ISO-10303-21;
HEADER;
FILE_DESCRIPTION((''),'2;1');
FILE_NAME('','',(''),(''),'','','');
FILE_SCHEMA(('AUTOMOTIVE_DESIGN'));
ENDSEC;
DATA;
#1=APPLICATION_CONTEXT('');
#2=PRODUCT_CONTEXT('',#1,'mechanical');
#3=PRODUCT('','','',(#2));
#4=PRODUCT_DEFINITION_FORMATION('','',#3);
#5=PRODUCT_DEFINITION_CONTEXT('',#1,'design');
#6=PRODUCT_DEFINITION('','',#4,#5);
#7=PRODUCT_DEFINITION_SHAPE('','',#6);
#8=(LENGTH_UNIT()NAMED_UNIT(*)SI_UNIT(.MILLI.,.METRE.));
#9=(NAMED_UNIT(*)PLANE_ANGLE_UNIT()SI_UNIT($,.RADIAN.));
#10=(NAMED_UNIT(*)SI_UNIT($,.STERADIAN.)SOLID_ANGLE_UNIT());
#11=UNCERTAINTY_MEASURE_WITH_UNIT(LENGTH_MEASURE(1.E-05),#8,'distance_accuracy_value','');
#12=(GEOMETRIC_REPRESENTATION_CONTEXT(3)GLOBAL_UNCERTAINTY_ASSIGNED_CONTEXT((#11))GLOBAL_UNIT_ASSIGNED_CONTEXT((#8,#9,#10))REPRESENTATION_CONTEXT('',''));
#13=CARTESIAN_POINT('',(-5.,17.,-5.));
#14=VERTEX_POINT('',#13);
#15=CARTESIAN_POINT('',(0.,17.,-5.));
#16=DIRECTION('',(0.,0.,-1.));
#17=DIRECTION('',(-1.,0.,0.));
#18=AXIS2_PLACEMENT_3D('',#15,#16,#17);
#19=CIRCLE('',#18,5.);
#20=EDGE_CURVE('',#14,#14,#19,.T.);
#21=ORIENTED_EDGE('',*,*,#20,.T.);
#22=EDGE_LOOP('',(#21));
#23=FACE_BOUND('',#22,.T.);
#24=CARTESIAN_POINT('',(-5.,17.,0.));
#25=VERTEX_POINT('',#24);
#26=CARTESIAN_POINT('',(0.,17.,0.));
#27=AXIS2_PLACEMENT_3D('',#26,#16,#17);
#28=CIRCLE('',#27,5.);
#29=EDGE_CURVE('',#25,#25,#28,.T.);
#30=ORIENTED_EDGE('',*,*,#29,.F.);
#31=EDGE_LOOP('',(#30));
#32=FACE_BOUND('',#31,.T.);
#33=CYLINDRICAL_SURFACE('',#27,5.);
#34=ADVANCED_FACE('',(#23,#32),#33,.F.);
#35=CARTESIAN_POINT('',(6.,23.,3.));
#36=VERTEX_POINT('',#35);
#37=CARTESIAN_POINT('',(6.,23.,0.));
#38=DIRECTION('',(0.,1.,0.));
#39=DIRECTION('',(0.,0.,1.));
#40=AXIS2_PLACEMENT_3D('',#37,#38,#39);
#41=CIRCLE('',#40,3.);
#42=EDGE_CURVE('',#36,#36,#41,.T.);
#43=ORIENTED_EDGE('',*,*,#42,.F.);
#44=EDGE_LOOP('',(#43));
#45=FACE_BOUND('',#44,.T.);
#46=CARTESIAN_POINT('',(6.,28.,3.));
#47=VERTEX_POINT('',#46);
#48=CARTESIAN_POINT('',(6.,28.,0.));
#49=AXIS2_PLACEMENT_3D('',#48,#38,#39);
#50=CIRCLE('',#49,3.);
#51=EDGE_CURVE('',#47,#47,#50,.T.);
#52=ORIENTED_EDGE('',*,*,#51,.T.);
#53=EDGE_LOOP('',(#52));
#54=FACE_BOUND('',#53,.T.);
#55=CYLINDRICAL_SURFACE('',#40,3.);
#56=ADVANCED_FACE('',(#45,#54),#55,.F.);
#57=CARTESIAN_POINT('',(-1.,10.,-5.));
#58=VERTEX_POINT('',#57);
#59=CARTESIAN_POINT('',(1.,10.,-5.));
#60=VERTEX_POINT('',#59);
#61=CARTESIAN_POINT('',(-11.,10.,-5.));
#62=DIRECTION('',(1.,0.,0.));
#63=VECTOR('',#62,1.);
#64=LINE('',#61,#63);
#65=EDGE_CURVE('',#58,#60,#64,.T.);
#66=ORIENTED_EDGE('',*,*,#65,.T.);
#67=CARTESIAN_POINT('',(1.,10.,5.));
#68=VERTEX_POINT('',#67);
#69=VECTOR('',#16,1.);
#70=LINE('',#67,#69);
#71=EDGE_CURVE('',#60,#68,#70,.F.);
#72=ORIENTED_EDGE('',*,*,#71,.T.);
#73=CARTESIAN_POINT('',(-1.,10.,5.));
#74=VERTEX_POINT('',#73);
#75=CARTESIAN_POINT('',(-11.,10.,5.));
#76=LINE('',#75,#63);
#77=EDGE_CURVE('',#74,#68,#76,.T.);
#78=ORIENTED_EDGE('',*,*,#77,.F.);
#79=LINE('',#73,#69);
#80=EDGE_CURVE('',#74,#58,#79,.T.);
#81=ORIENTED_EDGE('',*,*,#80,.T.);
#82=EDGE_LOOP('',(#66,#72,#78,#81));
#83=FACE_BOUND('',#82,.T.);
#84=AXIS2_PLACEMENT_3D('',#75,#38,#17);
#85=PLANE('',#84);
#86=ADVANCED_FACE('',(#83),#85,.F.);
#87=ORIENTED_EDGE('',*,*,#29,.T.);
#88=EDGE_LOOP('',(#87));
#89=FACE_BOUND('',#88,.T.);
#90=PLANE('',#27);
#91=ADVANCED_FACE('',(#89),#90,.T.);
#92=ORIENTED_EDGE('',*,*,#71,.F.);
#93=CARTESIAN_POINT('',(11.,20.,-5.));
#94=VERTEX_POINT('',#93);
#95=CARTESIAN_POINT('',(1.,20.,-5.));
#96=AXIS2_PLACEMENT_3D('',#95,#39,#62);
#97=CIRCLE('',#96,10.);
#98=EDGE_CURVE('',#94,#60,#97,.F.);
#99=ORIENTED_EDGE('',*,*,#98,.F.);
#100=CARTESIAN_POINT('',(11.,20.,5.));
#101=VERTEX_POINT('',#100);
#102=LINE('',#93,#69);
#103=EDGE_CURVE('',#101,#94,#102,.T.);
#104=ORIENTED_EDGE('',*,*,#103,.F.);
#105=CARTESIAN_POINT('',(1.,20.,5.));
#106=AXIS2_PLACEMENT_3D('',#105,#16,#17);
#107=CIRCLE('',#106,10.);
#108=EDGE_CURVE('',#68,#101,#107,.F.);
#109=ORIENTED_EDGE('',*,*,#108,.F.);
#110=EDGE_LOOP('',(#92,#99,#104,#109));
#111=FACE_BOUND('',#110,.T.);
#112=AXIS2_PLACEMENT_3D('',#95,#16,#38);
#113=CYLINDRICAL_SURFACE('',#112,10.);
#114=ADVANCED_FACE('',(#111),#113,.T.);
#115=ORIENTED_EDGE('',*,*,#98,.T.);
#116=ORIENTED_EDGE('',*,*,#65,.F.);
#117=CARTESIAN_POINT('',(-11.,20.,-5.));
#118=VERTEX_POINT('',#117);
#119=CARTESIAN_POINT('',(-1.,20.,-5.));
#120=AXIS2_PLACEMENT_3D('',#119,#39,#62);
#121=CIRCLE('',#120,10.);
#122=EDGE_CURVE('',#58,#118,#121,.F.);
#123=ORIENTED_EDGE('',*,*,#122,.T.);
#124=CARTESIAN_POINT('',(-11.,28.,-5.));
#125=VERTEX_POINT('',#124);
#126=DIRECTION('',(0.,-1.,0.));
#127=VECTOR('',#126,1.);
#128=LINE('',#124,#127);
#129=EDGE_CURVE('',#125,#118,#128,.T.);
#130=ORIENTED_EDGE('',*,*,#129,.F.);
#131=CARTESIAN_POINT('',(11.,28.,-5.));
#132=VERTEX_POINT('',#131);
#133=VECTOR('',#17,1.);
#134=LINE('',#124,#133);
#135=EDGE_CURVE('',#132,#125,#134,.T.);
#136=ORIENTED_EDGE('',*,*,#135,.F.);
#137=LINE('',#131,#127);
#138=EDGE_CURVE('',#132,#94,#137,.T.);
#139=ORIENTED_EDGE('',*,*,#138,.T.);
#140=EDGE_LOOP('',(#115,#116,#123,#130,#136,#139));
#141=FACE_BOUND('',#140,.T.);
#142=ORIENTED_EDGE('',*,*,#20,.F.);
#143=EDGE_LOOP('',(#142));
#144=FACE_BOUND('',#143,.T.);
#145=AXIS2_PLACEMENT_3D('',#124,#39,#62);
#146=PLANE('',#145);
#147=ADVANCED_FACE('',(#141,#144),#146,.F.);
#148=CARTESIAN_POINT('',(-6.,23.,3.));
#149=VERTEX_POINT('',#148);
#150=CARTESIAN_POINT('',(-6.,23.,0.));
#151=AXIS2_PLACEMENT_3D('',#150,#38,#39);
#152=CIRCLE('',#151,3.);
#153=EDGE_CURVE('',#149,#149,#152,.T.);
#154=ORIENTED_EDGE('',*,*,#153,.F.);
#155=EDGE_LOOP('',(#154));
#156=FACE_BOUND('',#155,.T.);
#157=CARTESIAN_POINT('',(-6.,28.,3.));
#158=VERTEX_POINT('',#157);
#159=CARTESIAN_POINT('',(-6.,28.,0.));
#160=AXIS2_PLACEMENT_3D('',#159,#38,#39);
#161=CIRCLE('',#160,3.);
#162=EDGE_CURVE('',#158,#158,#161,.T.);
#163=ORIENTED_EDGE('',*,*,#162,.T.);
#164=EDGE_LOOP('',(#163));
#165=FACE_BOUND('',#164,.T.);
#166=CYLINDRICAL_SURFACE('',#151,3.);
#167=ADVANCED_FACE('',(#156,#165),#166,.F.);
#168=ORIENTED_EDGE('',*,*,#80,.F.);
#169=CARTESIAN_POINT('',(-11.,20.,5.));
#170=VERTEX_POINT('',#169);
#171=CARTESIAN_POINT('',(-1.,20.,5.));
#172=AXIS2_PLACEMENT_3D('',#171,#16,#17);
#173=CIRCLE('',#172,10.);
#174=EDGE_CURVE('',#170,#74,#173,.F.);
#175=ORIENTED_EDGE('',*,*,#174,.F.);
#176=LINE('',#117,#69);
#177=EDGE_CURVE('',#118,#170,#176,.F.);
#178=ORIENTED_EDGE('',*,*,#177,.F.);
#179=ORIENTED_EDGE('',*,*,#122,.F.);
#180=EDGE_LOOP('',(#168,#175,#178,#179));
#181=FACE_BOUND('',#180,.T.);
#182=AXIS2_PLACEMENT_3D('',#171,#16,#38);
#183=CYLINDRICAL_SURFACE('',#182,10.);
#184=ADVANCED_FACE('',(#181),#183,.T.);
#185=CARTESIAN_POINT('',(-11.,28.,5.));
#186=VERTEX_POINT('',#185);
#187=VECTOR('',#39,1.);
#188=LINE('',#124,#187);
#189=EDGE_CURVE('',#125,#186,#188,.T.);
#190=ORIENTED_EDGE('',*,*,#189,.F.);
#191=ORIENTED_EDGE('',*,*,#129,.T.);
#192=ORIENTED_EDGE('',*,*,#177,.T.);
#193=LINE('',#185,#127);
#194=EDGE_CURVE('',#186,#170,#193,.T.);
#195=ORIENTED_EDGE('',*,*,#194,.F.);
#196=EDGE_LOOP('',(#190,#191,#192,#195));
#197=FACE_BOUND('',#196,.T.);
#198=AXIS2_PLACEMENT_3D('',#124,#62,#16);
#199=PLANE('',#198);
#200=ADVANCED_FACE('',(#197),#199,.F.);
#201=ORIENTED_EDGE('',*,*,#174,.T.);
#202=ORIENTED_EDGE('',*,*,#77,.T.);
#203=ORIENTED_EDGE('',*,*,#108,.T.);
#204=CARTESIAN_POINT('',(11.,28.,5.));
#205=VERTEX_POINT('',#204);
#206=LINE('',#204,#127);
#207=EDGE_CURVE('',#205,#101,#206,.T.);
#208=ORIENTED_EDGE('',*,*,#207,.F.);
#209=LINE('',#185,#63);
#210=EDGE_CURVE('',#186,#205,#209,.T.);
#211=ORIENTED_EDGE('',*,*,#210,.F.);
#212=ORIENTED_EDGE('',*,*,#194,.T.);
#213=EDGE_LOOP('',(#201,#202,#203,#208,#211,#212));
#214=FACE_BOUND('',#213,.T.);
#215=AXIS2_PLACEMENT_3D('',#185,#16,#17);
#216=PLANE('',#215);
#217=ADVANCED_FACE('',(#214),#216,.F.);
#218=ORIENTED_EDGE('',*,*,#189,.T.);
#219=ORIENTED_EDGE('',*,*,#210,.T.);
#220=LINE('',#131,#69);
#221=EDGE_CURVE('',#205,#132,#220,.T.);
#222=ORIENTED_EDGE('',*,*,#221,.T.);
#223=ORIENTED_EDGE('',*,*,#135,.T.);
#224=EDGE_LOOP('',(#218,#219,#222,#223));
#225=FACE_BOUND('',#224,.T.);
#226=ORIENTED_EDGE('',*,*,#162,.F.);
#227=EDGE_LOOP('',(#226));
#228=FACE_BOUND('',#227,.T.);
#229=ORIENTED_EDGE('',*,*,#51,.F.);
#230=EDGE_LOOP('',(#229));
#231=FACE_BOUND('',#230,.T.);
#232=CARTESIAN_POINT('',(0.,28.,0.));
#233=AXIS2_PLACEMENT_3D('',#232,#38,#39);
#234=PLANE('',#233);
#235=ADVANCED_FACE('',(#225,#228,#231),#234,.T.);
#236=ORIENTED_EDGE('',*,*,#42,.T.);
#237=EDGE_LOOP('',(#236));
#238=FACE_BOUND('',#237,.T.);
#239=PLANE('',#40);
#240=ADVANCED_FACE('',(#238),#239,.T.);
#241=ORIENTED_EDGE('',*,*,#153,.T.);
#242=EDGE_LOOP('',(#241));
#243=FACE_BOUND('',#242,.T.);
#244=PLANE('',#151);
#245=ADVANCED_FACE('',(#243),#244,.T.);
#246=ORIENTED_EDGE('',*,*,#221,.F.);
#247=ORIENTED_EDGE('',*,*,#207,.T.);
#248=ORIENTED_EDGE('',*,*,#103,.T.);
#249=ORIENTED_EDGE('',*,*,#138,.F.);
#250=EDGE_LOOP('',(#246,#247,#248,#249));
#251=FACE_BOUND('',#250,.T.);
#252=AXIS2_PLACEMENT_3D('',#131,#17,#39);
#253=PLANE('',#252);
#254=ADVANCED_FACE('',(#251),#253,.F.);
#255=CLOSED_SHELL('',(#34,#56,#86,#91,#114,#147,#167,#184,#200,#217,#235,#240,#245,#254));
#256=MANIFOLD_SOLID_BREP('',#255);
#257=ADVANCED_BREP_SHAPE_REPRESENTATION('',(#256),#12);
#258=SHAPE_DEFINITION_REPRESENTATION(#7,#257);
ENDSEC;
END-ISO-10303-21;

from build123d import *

# Parameters (mm, degrees)
SKETCH1_W           = 22
SKETCH1_H           = 10
BOSS_EXTRUDE1_DEPTH = 28
SKETCH2_R           = 3
CUT_EXTRUDE2_DEPTH  = 5
SKETCH4_W           = 22
SKETCH4_H           = 10
CUT_EXTRUDE4_DEPTH  = 32.701734968
SKETCH5_R           = 5
CUT_EXTRUDE5_DEPTH  = 5
FILLET2_R           = 10


with BuildPart() as part:
    # Sketch1 → Boss-Extrude1 (new body)
    with BuildSketch(Plane(origin=(0, 0, 0), x_dir=(1, 0, 0), z_dir=(0, 1, 0))):
        Rectangle(SKETCH1_W, SKETCH1_H)
    extrude(amount=BOSS_EXTRUDE1_DEPTH)

    # Sketch2 → Cut-Extrude2 (cut)
    with BuildSketch(Plane(origin=(0, 28, 0), x_dir=(1, 0, 0), z_dir=(0, 1, 0))):
        with Locations(Location((-6, 0, 0), (0, 0, 270))):
            Circle(SKETCH2_R)
        with Locations(Location((6, 0, 0), (0, 0, 270))):
            Circle(SKETCH2_R)
    extrude(amount=-CUT_EXTRUDE2_DEPTH, mode=Mode.SUBTRACT)

    # Sketch4 → Cut-Extrude4 (cut, through all)
    with BuildSketch(Plane(origin=(0, 0, -5), x_dir=(-1, 0, 0), z_dir=(0, 0, -1))):
        with Locations((0, 5)):
            Rectangle(SKETCH4_W, SKETCH4_H)
    extrude(amount=-CUT_EXTRUDE4_DEPTH, mode=Mode.SUBTRACT)

    # Sketch5 → Cut-Extrude5 (cut)
    with BuildSketch(Plane(origin=(0, 0, -5), x_dir=(-1, 0, 0), z_dir=(0, 0, -1))):
        with Locations((0, 17)):
            Circle(SKETCH5_R)
    extrude(amount=-CUT_EXTRUDE5_DEPTH, mode=Mode.SUBTRACT)

    # Fillet2
    fillet2_edges = [part.edges().sort_by_distance(p)[0] for p in [
        (-11, 10, 0),
        (11, 10, 0),
    ]]
    fillet(fillet2_edges, radius=FILLET2_R)


solid = part.part
